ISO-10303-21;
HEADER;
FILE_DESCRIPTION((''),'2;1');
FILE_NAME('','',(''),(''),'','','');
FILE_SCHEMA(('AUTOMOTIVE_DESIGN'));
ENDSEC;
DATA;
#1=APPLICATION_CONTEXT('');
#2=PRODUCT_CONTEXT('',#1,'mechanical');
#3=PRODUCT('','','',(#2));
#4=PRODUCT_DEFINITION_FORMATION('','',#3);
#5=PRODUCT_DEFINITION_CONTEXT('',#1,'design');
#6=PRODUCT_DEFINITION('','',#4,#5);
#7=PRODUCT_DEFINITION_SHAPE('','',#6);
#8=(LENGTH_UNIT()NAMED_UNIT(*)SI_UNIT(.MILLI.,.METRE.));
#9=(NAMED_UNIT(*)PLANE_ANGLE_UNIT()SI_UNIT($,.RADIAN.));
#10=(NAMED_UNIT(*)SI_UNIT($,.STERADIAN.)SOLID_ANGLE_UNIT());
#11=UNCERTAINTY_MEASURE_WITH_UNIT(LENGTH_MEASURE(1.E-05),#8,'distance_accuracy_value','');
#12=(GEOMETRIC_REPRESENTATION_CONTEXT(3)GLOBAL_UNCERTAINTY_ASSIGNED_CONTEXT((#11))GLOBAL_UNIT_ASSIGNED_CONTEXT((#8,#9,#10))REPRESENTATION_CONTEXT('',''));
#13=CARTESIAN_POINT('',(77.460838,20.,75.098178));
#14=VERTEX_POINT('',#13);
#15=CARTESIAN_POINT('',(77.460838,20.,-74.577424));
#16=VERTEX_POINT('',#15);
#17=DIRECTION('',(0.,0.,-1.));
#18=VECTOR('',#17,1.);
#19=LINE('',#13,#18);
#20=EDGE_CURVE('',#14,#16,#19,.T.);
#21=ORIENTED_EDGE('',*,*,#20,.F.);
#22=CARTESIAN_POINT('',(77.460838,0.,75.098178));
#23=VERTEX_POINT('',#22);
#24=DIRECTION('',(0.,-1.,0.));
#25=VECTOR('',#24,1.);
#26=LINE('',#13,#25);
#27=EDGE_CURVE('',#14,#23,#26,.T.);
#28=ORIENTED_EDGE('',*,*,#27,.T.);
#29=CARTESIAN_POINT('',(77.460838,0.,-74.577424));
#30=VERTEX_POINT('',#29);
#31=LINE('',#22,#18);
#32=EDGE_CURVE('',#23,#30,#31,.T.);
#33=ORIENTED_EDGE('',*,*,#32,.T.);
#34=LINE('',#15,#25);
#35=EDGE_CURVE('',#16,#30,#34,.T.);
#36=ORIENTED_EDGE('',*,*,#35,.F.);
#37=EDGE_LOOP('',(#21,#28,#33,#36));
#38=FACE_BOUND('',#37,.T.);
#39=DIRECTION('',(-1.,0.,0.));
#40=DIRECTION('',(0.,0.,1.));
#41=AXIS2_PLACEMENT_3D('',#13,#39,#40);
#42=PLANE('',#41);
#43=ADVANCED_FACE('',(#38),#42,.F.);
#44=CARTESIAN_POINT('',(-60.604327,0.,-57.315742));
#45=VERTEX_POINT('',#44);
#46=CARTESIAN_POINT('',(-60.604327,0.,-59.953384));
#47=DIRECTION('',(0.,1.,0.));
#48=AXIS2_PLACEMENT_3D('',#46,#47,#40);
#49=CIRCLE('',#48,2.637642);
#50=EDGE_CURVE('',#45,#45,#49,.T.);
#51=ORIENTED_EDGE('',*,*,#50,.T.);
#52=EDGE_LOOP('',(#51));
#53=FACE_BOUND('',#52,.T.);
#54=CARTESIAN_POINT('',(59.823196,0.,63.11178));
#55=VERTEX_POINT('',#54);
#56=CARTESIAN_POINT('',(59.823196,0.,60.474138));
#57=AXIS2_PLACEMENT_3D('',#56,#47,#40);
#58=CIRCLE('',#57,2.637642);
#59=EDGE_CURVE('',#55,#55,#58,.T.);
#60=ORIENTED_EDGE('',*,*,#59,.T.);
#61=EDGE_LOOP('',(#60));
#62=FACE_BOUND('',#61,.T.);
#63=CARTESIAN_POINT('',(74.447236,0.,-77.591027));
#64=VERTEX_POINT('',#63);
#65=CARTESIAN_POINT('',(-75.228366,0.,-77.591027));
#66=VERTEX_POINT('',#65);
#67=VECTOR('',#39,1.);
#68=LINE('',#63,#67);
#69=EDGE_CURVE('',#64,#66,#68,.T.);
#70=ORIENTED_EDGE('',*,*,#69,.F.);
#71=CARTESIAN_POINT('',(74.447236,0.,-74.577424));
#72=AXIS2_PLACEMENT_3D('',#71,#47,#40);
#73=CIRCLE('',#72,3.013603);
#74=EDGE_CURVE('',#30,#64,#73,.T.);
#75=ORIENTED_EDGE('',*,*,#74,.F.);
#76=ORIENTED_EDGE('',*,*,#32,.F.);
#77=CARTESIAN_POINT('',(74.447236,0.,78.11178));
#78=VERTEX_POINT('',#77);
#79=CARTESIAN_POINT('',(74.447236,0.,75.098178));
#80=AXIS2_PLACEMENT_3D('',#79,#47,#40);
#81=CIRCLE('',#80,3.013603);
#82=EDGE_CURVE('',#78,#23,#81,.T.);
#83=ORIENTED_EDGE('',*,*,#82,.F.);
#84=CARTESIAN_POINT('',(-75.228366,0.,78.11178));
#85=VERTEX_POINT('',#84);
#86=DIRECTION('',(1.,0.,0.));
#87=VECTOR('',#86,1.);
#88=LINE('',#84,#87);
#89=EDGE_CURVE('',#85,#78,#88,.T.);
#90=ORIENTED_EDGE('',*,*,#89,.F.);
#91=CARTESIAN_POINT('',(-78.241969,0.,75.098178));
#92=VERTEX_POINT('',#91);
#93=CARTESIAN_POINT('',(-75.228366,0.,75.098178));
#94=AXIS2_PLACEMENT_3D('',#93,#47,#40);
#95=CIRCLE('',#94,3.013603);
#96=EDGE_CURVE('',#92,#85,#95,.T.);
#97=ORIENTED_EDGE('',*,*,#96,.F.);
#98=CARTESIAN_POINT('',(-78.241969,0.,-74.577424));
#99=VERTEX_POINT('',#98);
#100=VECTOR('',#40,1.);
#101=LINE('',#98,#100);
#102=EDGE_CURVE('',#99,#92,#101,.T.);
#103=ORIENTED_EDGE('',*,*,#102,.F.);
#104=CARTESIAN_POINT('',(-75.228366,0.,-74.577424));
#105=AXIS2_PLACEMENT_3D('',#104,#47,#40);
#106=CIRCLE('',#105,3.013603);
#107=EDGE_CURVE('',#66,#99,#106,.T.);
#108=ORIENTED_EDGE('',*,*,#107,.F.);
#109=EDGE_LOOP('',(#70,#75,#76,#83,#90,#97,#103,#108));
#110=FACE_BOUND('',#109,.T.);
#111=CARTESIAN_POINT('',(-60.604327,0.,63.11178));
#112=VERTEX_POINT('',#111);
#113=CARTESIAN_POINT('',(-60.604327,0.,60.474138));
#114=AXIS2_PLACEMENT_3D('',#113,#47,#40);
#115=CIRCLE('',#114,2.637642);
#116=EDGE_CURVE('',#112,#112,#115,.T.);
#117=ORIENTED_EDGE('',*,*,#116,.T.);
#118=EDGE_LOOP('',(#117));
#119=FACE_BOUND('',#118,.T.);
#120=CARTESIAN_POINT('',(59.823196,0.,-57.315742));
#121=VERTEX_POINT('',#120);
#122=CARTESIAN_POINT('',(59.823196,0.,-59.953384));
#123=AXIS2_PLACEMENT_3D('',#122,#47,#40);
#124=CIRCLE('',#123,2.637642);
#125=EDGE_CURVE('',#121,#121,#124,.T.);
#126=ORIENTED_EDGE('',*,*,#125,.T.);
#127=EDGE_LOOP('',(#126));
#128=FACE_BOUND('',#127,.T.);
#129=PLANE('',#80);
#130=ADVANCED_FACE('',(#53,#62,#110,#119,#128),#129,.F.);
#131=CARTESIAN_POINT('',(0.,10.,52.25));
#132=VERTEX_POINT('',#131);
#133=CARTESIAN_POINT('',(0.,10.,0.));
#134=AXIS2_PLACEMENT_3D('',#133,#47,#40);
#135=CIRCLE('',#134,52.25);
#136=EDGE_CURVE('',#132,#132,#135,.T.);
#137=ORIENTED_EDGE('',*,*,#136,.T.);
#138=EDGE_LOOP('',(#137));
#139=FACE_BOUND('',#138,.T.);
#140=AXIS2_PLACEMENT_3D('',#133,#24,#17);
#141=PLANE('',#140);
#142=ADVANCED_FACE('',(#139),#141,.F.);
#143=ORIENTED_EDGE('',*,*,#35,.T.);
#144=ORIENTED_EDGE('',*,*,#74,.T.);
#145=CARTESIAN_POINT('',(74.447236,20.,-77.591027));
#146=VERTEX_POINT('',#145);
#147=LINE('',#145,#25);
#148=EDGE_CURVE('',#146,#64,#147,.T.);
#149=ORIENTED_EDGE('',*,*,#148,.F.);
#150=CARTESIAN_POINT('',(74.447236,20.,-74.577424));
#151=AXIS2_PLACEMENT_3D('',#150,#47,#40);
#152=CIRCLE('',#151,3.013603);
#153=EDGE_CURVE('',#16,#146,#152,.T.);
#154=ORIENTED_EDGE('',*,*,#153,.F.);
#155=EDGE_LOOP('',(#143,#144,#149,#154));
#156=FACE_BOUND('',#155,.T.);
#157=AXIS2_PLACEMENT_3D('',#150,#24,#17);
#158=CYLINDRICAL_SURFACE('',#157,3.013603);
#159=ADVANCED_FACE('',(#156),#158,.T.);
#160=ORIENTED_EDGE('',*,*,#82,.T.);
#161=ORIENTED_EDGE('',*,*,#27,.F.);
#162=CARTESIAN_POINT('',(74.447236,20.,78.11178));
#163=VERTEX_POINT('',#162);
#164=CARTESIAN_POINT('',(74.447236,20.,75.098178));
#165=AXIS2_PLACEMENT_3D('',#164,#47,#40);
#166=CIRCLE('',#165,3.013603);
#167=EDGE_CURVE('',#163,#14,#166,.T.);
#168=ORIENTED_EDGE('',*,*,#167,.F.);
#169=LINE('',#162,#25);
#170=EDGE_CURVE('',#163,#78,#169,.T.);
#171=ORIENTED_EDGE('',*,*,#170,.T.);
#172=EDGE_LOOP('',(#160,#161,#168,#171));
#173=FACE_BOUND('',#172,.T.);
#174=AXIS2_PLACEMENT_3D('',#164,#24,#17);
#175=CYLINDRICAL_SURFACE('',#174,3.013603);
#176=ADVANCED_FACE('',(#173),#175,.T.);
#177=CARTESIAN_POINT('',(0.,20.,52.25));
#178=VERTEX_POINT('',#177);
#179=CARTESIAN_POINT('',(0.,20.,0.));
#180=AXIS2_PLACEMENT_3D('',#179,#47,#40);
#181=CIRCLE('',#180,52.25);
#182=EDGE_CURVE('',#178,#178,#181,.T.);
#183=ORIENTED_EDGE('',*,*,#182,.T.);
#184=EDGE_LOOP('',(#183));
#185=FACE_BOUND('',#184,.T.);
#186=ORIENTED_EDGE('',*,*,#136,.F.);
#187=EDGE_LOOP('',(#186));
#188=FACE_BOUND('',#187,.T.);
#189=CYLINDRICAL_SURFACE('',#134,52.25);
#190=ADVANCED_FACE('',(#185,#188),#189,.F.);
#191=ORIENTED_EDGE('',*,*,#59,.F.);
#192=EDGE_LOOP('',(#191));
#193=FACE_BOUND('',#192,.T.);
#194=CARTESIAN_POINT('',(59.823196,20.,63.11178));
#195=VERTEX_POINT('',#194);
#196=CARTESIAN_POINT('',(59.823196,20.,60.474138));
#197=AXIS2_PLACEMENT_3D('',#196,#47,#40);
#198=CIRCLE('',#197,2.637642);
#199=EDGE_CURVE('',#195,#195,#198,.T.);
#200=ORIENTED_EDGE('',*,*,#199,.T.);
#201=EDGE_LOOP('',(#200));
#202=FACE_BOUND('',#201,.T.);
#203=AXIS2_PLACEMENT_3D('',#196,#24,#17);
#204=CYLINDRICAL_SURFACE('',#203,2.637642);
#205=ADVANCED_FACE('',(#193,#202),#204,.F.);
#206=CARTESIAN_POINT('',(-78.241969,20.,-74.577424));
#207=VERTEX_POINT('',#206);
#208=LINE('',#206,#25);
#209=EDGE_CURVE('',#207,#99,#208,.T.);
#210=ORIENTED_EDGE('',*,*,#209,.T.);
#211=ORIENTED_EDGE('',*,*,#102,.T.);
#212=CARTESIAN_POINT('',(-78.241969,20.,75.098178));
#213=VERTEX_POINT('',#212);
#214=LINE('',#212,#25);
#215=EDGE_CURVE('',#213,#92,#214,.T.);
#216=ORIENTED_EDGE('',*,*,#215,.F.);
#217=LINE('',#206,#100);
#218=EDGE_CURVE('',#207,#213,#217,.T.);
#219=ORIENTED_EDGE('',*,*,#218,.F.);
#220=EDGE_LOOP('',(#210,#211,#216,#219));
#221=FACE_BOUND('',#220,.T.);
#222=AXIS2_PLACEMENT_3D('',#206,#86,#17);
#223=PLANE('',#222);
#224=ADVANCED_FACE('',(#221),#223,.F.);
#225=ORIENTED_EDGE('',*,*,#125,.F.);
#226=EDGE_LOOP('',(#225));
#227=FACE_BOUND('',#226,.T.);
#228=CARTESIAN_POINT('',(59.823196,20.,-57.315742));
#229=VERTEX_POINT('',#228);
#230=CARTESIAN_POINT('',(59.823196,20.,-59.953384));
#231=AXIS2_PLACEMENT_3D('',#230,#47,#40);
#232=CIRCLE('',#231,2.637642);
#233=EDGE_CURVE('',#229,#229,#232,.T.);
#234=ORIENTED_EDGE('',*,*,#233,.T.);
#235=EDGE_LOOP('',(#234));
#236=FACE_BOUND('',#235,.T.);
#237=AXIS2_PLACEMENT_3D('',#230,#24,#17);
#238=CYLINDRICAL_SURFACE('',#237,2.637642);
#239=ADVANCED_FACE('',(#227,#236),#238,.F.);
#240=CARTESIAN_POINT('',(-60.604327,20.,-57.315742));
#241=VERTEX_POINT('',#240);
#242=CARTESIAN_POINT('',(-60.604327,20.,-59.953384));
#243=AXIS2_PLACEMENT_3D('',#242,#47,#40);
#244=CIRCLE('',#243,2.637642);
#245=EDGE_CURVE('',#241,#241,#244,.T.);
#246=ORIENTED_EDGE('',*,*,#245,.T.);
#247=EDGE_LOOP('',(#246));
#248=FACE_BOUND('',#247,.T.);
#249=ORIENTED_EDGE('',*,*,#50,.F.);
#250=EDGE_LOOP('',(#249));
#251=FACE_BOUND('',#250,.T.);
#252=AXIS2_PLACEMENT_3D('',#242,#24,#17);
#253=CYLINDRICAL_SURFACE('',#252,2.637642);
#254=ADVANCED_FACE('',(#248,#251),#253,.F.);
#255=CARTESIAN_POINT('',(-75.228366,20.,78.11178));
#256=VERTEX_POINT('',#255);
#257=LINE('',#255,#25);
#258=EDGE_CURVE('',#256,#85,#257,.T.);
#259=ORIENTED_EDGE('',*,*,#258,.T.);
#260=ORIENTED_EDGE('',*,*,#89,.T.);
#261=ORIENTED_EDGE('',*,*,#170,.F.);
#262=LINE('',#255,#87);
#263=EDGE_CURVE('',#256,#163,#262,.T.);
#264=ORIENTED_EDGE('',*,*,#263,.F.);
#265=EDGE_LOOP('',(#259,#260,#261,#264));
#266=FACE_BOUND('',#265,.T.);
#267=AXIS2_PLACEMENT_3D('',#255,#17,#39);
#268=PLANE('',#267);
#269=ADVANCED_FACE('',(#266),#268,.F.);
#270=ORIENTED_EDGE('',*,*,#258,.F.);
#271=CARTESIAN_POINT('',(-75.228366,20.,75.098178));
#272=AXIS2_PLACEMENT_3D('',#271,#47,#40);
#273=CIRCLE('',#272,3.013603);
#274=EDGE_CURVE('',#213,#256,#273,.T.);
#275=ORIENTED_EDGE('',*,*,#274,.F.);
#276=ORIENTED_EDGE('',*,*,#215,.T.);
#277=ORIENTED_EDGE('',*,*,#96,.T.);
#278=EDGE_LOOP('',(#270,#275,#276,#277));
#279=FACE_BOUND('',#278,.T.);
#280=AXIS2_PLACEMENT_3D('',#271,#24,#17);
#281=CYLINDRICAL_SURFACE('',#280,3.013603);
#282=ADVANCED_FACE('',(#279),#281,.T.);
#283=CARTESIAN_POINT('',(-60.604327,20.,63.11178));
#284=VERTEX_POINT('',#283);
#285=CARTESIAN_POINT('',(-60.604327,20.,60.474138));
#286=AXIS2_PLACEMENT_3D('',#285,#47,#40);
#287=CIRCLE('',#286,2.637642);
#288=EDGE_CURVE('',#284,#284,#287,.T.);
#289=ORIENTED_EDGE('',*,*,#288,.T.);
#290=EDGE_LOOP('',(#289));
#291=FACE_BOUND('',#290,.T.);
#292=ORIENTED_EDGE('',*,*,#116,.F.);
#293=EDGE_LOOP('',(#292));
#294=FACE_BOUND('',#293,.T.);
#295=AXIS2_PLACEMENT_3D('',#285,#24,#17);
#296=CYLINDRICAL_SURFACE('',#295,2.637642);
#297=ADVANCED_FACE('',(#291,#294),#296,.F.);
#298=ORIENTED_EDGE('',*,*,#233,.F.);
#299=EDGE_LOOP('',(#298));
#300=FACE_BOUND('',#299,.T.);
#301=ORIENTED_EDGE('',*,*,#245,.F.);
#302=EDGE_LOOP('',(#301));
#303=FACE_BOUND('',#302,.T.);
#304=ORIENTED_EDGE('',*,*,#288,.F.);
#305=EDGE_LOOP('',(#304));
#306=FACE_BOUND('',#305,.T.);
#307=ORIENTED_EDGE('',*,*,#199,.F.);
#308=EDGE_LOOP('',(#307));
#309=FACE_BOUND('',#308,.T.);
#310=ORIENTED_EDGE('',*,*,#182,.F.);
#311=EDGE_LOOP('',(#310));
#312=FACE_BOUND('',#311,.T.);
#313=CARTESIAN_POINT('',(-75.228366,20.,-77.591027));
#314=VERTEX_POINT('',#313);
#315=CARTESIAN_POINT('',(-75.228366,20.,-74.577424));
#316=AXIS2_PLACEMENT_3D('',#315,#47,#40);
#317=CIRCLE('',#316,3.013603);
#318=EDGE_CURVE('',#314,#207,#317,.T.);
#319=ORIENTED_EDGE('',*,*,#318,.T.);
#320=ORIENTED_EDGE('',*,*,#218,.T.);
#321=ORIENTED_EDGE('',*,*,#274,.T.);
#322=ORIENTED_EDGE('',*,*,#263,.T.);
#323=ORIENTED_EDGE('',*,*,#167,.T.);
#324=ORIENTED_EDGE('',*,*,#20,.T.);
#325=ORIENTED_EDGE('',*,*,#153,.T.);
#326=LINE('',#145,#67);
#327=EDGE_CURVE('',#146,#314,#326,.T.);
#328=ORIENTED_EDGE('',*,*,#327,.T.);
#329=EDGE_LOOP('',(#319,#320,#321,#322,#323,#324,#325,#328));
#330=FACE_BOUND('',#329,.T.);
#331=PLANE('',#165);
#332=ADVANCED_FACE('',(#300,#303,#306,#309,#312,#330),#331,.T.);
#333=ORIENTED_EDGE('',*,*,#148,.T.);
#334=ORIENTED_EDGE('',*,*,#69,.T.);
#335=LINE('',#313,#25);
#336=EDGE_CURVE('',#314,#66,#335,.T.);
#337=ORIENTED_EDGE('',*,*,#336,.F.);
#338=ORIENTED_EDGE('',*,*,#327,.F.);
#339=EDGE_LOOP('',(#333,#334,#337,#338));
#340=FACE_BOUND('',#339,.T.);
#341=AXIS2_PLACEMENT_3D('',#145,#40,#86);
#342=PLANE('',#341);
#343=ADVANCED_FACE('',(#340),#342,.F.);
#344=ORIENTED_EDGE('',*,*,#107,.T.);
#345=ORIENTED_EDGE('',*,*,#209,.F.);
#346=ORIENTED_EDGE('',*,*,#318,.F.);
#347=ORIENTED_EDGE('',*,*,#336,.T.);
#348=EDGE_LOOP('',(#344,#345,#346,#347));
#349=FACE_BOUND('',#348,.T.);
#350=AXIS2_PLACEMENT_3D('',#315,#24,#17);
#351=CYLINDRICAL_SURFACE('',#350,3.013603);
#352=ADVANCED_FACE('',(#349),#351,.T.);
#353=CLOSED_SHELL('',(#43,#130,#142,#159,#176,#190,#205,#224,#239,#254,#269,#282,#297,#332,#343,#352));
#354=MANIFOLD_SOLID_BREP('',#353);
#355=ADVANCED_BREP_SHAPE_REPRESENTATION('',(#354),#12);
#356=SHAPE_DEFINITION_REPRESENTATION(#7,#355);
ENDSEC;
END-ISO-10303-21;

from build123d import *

# Parameters (mm, degrees)
SKETCH1_R           = 2.637642313
SKETCH1_R_2         = 73
BOSS_EXTRUDE1_DEPTH = 20
SKETCH4_R           = 73
SKETCH4_R_2         = 52.25
BOSS_EXTRUDE2_DEPTH = 10
SKETCH5_R           = 73
BOSS_EXTRUDE3_DEPTH = 10


with BuildPart() as part:
    # Sketch1 → Boss-Extrude1 (new body)
    with BuildSketch(Plane(origin=(0, 0, 0), x_dir=(1, 0, 0), z_dir=(0, 1, 0))):
        with BuildLine():
            Line((77.460838348, -75.098177713), (77.460838348, 74.577424045))
            ThreePointArc((77.460838348, 74.577424045), (76.578174547, 76.708362964), (74.447235628, 77.591026765))
            Line((74.447235628, 77.591026765), (-75.22836613, 77.591026765))
            ThreePointArc((-75.22836613, 77.591026765), (-77.359305049, 76.708362964), (-78.24196885, 74.577424045))
            Line((-78.24196885, 74.577424045), (-78.24196885, -75.098177713))
            ThreePointArc((-78.24196885, -75.098177713), (-77.359305049, -77.229116632), (-75.22836613, -78.111780433))
            Line((-75.22836613, -78.111780433), (74.447235628, -78.111780433))
            ThreePointArc((74.447235628, -78.111780433), (76.578174547, -77.229116632), (77.460838348, -75.098177713))
        make_face()
        with Locations((-60.604326536, -60.47413812)):
            Circle(SKETCH1_R, mode=Mode.SUBTRACT)
        with Locations((-60.604326536, 59.953384452)):
            Circle(SKETCH1_R, mode=Mode.SUBTRACT)
        with Locations((59.823196035, 59.953384452)):
            Circle(SKETCH1_R, mode=Mode.SUBTRACT)
        with Locations((59.823196035, -60.47413812)):
            Circle(SKETCH1_R, mode=Mode.SUBTRACT)
        Circle(SKETCH1_R_2, mode=Mode.SUBTRACT)
    extrude(amount=BOSS_EXTRUDE1_DEPTH)

    # Sketch4 → Boss-Extrude2 (add)
    with BuildSketch(Plane(origin=(0, 20, 0), x_dir=(1, 0, 0), z_dir=(0, 1, 0))):
        Circle(SKETCH4_R)
        Circle(SKETCH4_R_2, mode=Mode.SUBTRACT)
    extrude(amount=-BOSS_EXTRUDE2_DEPTH)

    # Sketch5 → Boss-Extrude3 (add)
    with BuildSketch(Plane.XZ.offset(-10)):
        Circle(SKETCH5_R)
    extrude(amount=BOSS_EXTRUDE3_DEPTH)


solid = part.part
